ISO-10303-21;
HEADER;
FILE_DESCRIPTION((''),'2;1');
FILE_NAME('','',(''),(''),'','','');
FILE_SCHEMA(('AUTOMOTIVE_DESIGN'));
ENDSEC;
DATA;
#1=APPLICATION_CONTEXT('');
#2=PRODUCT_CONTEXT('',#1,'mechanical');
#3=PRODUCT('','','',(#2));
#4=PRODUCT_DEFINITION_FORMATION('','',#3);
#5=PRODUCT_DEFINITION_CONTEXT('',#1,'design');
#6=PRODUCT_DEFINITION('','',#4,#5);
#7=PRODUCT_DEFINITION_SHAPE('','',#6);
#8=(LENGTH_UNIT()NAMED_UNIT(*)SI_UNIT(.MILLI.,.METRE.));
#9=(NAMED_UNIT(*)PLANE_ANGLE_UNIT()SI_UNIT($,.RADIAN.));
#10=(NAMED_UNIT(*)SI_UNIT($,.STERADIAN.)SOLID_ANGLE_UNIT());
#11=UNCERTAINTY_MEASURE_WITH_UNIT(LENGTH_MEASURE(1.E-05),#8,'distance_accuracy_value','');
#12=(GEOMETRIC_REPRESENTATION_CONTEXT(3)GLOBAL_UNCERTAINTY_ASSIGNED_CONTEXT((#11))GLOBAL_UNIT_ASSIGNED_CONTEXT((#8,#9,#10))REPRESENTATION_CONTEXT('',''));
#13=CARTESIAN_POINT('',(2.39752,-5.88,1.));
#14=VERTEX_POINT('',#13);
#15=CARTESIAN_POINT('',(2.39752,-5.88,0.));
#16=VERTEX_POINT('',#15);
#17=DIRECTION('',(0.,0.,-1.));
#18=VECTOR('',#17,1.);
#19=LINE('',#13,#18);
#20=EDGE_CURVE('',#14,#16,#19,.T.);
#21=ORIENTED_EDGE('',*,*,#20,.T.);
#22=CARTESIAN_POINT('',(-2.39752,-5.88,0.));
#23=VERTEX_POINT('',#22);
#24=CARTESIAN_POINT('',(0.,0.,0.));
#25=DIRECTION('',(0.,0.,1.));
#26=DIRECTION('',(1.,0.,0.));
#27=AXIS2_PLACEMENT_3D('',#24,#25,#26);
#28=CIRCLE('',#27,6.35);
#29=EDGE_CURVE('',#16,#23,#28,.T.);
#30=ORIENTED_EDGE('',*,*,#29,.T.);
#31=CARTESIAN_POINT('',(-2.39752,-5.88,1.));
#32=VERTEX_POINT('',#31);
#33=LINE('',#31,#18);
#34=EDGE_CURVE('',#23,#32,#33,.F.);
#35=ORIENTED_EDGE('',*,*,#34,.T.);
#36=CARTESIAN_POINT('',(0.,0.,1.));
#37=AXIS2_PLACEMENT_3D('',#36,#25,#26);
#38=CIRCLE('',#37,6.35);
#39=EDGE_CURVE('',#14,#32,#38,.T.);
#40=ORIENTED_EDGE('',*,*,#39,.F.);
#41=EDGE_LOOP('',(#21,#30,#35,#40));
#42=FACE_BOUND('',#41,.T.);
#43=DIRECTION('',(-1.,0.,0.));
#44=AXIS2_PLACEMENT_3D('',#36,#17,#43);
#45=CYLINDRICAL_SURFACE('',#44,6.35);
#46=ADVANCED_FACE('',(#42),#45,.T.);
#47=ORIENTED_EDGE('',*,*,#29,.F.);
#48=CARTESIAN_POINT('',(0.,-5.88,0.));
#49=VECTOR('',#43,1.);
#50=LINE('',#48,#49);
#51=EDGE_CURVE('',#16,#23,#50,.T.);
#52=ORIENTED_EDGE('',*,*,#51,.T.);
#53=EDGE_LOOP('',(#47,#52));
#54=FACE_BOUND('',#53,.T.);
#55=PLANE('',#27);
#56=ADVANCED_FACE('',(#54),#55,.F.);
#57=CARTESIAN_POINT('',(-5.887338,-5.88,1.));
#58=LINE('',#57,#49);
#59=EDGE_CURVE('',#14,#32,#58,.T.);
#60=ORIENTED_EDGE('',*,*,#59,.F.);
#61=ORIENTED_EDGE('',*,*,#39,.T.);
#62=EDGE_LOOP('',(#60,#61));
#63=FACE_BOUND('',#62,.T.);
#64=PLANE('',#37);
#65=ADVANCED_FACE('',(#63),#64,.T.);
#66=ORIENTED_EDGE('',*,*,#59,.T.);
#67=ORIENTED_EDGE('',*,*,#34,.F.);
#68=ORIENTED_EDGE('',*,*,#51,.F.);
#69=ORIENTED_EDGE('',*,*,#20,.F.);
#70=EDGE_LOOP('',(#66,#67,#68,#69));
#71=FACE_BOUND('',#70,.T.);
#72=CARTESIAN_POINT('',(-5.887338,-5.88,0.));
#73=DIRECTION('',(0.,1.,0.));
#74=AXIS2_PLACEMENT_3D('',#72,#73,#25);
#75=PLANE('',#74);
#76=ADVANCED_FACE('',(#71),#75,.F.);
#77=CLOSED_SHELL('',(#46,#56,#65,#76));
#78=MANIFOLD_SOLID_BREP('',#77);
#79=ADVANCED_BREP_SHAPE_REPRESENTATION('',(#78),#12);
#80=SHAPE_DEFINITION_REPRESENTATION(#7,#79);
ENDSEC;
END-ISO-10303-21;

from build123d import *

# Parameters (mm, degrees)
SKETCH_1_R          = 6.35
EXTRUDE_1_DEPTH     = 1
SKETCH_2_W          = 13.590670976
SKETCH_2_H          = 1.925848739
CUT_EXTRUDE_1_DEPTH = 2


with BuildPart() as part:
    # 草图1 → 凸台-拉伸1 (new body)
    with BuildSketch(Plane.XY):
        Circle(SKETCH_1_R)
    extrude(amount=EXTRUDE_1_DEPTH)

    # 草图2 → 切除-拉伸1 (cut, through all)
    with BuildSketch(Plane.XY.offset(1)):
        with Locations((0.907997414, -6.84292437)):
            Rectangle(SKETCH_2_W, SKETCH_2_H)
    extrude(amount=-CUT_EXTRUDE_1_DEPTH, mode=Mode.SUBTRACT)


solid = part.part
